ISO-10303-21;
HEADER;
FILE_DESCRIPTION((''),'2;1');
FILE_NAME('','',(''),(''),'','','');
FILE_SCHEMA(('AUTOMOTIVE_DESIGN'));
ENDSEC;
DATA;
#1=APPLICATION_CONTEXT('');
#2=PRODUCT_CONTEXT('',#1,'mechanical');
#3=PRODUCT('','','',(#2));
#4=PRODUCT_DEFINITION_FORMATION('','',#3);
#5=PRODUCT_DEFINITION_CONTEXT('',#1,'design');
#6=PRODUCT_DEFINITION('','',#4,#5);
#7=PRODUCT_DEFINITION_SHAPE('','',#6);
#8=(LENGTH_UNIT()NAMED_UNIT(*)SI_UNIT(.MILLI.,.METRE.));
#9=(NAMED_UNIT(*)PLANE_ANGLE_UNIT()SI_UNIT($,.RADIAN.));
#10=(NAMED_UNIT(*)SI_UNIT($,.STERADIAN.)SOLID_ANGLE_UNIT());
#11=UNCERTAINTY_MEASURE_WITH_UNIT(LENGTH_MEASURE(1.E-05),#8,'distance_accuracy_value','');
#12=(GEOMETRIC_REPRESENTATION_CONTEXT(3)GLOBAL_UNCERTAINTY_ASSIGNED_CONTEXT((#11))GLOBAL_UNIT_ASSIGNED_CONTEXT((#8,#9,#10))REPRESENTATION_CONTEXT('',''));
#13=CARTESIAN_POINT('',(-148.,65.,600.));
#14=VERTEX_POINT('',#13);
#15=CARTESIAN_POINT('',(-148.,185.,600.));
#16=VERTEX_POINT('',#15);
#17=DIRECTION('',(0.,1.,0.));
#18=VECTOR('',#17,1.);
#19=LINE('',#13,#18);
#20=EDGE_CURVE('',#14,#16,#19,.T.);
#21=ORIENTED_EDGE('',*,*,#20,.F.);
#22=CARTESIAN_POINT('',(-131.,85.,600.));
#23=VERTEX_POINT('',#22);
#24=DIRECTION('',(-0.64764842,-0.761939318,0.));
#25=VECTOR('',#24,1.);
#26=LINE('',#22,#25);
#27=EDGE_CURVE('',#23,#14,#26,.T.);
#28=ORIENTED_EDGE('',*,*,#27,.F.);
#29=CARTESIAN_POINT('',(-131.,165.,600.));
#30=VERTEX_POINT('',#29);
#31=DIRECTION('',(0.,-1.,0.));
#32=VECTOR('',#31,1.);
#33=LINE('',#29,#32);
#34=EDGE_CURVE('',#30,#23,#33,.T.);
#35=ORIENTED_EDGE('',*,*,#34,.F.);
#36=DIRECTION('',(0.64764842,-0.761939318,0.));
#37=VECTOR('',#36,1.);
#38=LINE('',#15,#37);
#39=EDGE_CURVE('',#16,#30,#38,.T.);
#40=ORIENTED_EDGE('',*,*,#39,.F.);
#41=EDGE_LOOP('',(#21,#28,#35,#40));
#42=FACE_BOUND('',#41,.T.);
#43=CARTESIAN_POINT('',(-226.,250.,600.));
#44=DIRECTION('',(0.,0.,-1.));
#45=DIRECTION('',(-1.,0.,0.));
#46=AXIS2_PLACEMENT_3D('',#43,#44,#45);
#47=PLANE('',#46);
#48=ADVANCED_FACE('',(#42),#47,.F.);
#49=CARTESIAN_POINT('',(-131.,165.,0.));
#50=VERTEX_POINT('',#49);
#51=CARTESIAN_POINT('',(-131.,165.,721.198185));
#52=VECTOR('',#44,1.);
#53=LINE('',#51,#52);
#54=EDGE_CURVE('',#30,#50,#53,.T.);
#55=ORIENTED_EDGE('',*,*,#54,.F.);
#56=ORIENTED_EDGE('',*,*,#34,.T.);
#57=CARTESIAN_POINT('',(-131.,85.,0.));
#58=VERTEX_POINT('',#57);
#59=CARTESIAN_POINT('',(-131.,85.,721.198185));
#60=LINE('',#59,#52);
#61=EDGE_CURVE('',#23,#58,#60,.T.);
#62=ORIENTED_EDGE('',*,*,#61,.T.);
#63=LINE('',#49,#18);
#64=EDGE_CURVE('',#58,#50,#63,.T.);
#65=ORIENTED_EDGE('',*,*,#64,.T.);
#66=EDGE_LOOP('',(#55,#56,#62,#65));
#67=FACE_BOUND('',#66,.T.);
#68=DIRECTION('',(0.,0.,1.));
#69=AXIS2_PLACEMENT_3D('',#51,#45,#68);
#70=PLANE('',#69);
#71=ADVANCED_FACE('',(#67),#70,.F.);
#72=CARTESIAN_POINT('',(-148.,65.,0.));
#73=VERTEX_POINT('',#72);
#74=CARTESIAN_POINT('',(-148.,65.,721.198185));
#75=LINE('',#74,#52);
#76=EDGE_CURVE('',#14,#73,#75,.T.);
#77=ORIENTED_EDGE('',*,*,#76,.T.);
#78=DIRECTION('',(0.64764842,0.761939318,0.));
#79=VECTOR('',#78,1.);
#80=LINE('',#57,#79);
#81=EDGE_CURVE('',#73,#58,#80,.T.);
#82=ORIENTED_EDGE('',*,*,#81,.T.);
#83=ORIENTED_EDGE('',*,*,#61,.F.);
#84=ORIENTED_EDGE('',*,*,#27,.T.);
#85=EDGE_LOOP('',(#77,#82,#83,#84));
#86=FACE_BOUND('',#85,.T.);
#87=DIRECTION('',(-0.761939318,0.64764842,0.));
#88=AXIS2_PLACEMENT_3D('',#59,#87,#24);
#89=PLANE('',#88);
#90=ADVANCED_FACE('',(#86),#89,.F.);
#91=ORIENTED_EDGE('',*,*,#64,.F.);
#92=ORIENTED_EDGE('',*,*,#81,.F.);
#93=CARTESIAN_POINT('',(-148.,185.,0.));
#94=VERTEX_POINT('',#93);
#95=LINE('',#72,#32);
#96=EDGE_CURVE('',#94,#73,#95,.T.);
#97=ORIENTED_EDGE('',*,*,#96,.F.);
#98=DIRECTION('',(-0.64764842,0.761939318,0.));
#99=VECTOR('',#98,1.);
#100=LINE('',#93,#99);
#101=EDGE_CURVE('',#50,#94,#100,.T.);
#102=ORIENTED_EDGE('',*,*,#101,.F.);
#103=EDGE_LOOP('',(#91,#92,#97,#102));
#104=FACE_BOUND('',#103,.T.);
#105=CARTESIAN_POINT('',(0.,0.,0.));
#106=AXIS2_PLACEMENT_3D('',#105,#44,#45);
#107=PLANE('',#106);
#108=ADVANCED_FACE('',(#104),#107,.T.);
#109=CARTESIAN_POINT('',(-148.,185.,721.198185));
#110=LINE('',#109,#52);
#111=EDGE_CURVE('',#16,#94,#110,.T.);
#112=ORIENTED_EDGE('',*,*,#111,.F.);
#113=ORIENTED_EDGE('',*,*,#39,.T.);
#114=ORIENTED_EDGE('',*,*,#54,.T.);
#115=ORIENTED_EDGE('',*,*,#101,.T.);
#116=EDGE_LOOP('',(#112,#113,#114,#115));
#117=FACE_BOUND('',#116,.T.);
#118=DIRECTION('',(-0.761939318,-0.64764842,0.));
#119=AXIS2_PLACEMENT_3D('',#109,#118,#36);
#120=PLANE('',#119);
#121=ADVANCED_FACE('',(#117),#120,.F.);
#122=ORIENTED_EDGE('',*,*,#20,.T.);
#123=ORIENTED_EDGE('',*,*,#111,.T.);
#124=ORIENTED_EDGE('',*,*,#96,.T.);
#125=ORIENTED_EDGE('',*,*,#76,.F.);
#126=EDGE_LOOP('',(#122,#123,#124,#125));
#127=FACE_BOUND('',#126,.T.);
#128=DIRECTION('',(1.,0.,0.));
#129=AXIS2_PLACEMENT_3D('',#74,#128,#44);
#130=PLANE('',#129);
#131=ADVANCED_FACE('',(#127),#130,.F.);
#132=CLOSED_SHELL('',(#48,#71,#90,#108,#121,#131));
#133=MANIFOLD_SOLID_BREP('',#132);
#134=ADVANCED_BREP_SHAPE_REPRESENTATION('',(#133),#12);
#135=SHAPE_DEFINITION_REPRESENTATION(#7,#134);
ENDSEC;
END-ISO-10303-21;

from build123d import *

# Parameters (mm, degrees)
BOSS_EXTRUDE1_DEPTH = 600


with BuildPart() as part:
    # Sketch2 → Boss-Extrude1 (new body)
    with BuildSketch(Plane.XY):
        Polygon((-148, 65), (-148, 185), (-131, 165), (-131, 85), align=None)
    extrude(amount=BOSS_EXTRUDE1_DEPTH)


solid = part.part
